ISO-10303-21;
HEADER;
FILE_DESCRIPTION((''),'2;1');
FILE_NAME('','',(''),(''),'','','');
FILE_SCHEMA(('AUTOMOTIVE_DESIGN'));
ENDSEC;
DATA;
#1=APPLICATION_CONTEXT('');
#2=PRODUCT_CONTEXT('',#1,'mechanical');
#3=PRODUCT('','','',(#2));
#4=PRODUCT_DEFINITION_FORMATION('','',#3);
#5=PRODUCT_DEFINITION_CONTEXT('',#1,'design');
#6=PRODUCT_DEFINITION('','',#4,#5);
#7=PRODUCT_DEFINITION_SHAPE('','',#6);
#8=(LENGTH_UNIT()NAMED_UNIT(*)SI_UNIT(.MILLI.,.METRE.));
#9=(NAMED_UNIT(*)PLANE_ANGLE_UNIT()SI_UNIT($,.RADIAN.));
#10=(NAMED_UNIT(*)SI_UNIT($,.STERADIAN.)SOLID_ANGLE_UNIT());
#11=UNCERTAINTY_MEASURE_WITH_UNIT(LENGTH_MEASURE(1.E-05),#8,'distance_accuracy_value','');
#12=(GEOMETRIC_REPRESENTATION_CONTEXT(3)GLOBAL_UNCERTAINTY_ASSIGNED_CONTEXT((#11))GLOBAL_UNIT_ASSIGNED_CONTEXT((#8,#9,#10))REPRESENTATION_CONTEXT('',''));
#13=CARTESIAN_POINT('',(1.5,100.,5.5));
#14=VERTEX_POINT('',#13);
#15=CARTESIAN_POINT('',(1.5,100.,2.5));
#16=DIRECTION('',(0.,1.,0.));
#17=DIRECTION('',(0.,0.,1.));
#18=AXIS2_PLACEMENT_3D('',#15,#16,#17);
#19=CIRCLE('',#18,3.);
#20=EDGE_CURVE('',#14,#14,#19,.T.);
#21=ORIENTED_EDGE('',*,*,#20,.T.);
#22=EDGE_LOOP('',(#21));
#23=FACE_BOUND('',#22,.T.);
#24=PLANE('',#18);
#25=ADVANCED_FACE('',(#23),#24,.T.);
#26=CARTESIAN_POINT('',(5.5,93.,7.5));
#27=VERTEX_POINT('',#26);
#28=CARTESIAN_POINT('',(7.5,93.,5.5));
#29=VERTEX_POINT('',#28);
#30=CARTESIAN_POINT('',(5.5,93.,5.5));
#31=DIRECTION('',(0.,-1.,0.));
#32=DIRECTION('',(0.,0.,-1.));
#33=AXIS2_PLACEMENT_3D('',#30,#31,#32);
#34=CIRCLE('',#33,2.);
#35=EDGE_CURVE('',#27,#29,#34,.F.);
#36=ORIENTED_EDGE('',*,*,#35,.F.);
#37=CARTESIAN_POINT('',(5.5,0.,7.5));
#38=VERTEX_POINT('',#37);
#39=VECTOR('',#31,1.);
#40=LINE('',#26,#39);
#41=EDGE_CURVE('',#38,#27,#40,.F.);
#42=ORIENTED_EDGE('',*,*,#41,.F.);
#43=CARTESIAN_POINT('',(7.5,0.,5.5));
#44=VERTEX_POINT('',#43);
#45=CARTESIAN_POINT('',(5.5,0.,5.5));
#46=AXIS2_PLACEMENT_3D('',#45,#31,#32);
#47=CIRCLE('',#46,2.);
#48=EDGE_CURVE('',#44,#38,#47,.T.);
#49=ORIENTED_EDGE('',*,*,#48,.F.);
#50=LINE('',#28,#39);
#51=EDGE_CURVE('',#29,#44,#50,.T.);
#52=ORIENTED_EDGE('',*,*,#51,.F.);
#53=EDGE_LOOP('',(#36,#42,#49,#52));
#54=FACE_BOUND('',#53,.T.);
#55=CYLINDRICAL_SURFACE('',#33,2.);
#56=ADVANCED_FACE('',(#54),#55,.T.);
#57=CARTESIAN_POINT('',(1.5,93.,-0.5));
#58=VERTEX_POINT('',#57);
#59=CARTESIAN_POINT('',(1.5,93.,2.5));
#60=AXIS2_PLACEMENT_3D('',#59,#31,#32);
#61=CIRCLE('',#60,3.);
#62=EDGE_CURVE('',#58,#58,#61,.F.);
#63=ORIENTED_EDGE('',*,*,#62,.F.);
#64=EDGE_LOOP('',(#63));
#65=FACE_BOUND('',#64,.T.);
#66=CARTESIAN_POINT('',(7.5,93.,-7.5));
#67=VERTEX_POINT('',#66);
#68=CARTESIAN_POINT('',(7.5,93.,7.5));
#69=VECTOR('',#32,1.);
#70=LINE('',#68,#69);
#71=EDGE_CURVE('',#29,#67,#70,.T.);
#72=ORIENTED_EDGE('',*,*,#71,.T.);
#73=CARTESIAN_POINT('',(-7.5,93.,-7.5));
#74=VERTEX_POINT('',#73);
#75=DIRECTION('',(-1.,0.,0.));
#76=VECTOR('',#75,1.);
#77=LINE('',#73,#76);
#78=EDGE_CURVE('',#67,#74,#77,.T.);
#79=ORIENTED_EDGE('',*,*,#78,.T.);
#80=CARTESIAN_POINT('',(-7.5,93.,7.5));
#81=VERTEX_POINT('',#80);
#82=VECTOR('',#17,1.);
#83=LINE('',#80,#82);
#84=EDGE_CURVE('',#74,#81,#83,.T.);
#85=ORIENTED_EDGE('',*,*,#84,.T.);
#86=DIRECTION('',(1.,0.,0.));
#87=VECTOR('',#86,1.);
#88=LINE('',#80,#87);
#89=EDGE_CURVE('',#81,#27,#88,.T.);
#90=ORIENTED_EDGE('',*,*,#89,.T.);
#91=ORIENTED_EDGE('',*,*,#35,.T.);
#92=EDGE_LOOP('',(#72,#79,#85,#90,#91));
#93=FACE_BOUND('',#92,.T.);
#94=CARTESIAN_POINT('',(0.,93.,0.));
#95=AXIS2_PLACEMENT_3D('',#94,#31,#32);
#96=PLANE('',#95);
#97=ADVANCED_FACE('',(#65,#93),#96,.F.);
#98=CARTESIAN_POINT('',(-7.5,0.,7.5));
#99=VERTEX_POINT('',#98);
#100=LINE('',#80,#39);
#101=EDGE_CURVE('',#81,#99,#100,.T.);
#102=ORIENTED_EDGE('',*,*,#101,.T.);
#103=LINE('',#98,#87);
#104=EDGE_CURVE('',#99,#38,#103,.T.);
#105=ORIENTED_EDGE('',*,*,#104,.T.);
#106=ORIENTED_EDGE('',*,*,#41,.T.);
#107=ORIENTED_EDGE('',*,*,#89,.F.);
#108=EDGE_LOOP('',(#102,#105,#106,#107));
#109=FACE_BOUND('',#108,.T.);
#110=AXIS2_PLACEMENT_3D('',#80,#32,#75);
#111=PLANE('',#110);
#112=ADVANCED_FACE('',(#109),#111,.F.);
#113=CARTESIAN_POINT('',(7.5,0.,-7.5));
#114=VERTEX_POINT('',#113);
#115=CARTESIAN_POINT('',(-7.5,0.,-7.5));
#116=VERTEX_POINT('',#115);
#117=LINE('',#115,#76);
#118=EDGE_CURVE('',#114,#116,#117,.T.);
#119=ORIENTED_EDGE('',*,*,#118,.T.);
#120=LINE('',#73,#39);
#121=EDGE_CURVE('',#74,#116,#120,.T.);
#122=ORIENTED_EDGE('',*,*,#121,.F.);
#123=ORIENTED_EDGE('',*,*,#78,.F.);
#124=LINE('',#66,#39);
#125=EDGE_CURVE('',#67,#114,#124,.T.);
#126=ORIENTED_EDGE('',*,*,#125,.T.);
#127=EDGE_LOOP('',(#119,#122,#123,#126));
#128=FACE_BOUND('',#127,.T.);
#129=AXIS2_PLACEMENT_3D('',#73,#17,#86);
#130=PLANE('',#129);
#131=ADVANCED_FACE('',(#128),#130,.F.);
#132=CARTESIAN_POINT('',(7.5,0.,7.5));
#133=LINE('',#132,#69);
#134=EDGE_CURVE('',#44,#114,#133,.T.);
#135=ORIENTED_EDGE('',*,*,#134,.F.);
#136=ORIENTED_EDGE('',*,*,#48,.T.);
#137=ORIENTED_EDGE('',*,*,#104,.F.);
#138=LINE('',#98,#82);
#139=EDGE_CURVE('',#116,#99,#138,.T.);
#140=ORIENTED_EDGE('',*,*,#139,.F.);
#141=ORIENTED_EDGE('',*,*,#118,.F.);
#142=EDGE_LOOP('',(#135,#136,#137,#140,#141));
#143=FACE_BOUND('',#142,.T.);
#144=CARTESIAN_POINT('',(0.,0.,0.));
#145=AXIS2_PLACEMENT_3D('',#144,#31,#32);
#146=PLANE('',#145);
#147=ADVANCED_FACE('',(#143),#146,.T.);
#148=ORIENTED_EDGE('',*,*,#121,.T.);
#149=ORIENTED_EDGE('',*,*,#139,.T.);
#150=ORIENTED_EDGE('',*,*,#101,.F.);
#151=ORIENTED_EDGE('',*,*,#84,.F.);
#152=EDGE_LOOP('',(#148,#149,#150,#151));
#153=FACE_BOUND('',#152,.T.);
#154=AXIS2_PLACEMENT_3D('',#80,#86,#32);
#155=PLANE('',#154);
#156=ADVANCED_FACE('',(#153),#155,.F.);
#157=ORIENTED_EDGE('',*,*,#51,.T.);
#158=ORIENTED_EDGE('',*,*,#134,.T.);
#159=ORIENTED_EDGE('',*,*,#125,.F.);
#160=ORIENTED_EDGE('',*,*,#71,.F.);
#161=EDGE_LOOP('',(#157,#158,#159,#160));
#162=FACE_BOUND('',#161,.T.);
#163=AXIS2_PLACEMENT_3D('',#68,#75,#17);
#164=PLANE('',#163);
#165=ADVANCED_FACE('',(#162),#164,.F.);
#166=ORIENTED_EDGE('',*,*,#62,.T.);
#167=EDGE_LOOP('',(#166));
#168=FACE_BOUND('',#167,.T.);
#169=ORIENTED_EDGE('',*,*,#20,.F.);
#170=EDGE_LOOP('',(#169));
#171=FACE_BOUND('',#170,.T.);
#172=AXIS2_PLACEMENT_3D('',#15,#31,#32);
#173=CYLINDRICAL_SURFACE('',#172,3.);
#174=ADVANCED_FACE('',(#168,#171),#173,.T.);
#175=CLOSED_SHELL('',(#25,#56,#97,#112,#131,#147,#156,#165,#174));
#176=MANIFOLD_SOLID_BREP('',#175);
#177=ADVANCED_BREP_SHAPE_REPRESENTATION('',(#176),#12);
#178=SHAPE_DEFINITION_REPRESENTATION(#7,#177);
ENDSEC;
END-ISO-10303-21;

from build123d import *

# Parameters (mm, degrees)
SKETCH1_W           = 15
SKETCH1_H           = 15
BOSS_EXTRUDE1_DEPTH = 93
SKETCH2_R           = 3
BOSS_EXTRUDE2_DEPTH = 7
FILLET1_R           = 2


with BuildPart() as part:
    # Sketch1 → Boss-Extrude1 (new body)
    with BuildSketch(Plane(origin=(0, 0, 0), x_dir=(1, 0, 0), z_dir=(0, 1, 0))):
        Rectangle(SKETCH1_W, SKETCH1_H)
    extrude(amount=BOSS_EXTRUDE1_DEPTH)

    # Sketch2 → Boss-Extrude2 (add)
    with BuildSketch(Plane(origin=(0, 93, 0), x_dir=(1, 0, 0), z_dir=(0, 1, 0))):
        with Locations(Location((1.5, -2.5, 0), (0, 0, 90))):
            Circle(SKETCH2_R)
    extrude(amount=BOSS_EXTRUDE2_DEPTH)

    # Fillet1
    fillet1_edges = [part.edges().sort_by_distance(p)[0] for p in [
        (7.5, 46.5, 7.5),
    ]]
    fillet(fillet1_edges, radius=FILLET1_R)


solid = part.part
